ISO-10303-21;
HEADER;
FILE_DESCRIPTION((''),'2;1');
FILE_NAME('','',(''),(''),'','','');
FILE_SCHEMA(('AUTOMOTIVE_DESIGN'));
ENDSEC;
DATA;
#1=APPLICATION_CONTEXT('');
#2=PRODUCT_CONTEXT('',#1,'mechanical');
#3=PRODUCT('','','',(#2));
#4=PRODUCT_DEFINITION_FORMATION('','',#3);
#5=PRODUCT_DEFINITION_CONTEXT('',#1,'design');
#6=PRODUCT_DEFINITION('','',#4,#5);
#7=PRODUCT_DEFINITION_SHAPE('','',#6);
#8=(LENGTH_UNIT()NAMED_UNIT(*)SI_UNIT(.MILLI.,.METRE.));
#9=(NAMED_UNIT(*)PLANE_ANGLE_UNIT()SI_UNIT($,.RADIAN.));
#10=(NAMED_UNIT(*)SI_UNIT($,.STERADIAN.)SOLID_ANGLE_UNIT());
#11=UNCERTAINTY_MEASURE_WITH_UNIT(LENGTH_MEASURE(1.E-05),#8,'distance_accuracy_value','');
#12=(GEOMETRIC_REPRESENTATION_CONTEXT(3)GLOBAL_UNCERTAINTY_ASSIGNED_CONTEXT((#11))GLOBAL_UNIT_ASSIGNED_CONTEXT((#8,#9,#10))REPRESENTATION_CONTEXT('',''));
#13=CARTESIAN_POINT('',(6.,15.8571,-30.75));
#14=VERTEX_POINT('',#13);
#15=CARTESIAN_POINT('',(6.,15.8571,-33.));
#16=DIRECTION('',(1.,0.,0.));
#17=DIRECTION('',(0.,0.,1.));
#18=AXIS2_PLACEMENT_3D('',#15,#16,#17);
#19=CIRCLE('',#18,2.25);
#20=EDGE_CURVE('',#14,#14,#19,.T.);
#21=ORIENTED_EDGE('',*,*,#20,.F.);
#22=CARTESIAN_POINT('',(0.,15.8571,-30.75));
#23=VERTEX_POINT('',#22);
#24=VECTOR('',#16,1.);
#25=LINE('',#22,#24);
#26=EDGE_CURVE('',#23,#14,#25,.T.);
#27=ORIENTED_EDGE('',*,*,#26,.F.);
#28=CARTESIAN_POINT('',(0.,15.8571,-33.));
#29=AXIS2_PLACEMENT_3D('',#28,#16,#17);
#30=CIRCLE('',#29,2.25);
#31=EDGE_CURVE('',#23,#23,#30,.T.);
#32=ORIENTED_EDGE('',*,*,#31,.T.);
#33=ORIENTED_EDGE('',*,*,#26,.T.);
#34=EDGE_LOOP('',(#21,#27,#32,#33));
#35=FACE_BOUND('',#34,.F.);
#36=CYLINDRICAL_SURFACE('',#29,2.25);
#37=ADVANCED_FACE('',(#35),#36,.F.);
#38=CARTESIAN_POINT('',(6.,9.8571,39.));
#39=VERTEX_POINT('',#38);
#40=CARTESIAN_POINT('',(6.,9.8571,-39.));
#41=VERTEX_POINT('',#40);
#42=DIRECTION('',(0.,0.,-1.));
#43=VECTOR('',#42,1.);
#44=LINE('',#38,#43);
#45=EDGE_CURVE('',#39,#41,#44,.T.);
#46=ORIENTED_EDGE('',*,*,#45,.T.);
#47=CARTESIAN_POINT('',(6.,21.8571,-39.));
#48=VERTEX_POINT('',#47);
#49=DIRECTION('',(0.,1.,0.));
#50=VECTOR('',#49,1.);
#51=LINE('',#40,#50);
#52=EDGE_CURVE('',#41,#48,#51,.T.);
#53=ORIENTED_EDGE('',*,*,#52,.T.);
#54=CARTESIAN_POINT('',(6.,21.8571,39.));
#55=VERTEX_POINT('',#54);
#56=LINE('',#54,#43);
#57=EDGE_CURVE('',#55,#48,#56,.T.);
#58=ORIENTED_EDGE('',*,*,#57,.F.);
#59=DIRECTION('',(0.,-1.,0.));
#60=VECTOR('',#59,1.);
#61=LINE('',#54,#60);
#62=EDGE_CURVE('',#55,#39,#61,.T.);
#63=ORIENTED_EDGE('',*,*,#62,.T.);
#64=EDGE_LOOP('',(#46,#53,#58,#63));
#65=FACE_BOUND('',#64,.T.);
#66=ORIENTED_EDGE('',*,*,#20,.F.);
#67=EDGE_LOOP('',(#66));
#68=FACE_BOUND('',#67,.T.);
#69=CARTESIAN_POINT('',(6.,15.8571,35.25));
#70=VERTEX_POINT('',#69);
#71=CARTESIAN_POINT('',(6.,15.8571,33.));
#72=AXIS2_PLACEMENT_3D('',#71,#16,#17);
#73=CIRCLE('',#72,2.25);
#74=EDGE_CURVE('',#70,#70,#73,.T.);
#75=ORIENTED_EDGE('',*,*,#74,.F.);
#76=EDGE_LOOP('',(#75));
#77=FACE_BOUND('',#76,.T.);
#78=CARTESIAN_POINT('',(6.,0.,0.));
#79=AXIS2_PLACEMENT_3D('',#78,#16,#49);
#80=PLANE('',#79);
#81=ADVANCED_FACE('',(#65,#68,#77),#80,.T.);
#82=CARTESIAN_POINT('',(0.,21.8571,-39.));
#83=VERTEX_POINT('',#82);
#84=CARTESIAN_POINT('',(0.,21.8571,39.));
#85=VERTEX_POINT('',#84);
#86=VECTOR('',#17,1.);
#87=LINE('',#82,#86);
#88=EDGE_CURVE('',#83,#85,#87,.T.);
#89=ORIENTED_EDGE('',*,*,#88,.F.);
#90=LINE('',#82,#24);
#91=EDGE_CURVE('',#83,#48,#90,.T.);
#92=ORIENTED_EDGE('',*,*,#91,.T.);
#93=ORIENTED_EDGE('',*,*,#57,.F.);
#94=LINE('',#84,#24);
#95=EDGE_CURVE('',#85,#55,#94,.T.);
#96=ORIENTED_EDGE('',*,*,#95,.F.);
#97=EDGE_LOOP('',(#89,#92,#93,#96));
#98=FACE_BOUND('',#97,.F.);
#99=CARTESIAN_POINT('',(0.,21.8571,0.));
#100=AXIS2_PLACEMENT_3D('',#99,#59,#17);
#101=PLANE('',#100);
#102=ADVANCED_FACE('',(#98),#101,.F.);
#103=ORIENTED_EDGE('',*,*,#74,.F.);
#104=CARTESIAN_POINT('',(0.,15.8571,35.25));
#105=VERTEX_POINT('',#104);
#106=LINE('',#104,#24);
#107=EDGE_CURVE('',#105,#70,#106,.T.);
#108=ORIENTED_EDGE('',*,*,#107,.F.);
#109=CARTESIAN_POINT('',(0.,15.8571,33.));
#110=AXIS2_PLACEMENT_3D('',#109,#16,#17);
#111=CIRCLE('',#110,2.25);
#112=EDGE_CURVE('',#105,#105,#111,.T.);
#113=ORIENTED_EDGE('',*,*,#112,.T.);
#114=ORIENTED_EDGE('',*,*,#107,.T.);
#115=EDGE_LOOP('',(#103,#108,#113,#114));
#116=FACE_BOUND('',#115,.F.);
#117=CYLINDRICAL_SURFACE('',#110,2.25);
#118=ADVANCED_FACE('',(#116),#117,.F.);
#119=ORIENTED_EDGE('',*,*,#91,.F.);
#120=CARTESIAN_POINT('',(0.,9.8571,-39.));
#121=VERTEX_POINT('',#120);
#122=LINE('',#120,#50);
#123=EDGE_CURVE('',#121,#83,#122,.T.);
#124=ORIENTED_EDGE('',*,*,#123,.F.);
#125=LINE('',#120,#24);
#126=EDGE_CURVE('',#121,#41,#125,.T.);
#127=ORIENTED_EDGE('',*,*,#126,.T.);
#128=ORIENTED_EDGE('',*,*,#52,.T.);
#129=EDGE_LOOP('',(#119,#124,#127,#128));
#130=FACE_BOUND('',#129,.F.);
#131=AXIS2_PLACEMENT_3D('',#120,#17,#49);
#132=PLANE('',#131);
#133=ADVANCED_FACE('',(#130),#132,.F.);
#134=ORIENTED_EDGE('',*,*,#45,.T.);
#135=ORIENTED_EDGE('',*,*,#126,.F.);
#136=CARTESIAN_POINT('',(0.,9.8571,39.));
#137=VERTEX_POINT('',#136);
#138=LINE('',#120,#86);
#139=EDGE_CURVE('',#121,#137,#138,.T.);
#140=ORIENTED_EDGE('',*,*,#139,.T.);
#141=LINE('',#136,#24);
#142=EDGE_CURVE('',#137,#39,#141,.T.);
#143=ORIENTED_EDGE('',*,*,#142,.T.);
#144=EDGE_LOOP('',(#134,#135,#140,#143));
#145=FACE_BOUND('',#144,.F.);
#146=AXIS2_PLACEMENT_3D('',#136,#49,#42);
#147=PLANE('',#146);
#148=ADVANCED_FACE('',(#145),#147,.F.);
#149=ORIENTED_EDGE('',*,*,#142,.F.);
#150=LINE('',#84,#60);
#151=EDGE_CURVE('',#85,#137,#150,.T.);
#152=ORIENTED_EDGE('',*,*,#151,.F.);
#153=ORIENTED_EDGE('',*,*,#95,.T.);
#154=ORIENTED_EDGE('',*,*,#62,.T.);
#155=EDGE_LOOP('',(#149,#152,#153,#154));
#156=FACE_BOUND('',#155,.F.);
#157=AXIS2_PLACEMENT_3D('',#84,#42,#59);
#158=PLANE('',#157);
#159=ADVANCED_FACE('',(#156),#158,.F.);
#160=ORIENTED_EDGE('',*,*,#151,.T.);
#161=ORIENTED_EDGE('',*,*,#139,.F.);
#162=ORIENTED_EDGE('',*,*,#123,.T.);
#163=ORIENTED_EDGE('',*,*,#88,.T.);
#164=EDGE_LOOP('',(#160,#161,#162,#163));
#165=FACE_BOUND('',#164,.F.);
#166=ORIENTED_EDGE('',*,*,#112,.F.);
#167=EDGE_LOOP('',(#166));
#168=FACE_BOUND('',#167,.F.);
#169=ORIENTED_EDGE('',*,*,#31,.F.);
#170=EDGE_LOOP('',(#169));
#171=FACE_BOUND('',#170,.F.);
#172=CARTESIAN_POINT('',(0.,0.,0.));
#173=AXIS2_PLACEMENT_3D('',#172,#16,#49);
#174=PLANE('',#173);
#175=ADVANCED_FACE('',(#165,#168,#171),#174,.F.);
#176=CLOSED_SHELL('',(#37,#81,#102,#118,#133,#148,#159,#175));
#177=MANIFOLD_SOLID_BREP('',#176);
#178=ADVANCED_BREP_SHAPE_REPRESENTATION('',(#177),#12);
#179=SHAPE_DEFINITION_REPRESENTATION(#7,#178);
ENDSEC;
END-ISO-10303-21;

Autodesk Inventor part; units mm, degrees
ref_plane "YZ Plane" through (0, 0, 0) normal (1, 0, 0) x (0, 1, 0)
ref_plane "XZ Plane" through (0, 0, 0) normal (0, 1, 0) x (-1, 0, 0)
ref_plane "XY Plane" through (0, 0, 0) normal (0, 0, 1) x (1, 0, 0)
sketch "Sketch1" plane through (0, 0, 0) normal (1, 0, 0) x (0, 1, 0)
  line L0 (21.8571, 39) -> (9.8571, 39)
  line L1 (9.8571, 39) -> (9.8571, -39)
  line L2 (9.8571, -39) -> (21.8571, -39)
  line L3 (21.8571, -39) -> (21.8571, 39)
  line L4 (9.8571, 0) -> (21.8571, 0)
  point P0 (0, 0)
  point P1 (15.8571, 33)
  point P2 (15.8571, -33)
  dimension "d0" = 78
  dimension "d1" = 12
  dimension "d2" = 6
  dimension "d3" = 6
  dimension "d4" = 39
extrude "Extrusion1" add sketch "Sketch1" along normal blind 6
hole "Hole1" at (0, 15.8571, 33) at (0, 15.8571, -33) direction (1, 0, 0) diameter 4.5 end through all clearance for "Flat Head Machine Screw" size "M4" standard "Ansi Metric M Profile"
properties part number "Weight Baby"
